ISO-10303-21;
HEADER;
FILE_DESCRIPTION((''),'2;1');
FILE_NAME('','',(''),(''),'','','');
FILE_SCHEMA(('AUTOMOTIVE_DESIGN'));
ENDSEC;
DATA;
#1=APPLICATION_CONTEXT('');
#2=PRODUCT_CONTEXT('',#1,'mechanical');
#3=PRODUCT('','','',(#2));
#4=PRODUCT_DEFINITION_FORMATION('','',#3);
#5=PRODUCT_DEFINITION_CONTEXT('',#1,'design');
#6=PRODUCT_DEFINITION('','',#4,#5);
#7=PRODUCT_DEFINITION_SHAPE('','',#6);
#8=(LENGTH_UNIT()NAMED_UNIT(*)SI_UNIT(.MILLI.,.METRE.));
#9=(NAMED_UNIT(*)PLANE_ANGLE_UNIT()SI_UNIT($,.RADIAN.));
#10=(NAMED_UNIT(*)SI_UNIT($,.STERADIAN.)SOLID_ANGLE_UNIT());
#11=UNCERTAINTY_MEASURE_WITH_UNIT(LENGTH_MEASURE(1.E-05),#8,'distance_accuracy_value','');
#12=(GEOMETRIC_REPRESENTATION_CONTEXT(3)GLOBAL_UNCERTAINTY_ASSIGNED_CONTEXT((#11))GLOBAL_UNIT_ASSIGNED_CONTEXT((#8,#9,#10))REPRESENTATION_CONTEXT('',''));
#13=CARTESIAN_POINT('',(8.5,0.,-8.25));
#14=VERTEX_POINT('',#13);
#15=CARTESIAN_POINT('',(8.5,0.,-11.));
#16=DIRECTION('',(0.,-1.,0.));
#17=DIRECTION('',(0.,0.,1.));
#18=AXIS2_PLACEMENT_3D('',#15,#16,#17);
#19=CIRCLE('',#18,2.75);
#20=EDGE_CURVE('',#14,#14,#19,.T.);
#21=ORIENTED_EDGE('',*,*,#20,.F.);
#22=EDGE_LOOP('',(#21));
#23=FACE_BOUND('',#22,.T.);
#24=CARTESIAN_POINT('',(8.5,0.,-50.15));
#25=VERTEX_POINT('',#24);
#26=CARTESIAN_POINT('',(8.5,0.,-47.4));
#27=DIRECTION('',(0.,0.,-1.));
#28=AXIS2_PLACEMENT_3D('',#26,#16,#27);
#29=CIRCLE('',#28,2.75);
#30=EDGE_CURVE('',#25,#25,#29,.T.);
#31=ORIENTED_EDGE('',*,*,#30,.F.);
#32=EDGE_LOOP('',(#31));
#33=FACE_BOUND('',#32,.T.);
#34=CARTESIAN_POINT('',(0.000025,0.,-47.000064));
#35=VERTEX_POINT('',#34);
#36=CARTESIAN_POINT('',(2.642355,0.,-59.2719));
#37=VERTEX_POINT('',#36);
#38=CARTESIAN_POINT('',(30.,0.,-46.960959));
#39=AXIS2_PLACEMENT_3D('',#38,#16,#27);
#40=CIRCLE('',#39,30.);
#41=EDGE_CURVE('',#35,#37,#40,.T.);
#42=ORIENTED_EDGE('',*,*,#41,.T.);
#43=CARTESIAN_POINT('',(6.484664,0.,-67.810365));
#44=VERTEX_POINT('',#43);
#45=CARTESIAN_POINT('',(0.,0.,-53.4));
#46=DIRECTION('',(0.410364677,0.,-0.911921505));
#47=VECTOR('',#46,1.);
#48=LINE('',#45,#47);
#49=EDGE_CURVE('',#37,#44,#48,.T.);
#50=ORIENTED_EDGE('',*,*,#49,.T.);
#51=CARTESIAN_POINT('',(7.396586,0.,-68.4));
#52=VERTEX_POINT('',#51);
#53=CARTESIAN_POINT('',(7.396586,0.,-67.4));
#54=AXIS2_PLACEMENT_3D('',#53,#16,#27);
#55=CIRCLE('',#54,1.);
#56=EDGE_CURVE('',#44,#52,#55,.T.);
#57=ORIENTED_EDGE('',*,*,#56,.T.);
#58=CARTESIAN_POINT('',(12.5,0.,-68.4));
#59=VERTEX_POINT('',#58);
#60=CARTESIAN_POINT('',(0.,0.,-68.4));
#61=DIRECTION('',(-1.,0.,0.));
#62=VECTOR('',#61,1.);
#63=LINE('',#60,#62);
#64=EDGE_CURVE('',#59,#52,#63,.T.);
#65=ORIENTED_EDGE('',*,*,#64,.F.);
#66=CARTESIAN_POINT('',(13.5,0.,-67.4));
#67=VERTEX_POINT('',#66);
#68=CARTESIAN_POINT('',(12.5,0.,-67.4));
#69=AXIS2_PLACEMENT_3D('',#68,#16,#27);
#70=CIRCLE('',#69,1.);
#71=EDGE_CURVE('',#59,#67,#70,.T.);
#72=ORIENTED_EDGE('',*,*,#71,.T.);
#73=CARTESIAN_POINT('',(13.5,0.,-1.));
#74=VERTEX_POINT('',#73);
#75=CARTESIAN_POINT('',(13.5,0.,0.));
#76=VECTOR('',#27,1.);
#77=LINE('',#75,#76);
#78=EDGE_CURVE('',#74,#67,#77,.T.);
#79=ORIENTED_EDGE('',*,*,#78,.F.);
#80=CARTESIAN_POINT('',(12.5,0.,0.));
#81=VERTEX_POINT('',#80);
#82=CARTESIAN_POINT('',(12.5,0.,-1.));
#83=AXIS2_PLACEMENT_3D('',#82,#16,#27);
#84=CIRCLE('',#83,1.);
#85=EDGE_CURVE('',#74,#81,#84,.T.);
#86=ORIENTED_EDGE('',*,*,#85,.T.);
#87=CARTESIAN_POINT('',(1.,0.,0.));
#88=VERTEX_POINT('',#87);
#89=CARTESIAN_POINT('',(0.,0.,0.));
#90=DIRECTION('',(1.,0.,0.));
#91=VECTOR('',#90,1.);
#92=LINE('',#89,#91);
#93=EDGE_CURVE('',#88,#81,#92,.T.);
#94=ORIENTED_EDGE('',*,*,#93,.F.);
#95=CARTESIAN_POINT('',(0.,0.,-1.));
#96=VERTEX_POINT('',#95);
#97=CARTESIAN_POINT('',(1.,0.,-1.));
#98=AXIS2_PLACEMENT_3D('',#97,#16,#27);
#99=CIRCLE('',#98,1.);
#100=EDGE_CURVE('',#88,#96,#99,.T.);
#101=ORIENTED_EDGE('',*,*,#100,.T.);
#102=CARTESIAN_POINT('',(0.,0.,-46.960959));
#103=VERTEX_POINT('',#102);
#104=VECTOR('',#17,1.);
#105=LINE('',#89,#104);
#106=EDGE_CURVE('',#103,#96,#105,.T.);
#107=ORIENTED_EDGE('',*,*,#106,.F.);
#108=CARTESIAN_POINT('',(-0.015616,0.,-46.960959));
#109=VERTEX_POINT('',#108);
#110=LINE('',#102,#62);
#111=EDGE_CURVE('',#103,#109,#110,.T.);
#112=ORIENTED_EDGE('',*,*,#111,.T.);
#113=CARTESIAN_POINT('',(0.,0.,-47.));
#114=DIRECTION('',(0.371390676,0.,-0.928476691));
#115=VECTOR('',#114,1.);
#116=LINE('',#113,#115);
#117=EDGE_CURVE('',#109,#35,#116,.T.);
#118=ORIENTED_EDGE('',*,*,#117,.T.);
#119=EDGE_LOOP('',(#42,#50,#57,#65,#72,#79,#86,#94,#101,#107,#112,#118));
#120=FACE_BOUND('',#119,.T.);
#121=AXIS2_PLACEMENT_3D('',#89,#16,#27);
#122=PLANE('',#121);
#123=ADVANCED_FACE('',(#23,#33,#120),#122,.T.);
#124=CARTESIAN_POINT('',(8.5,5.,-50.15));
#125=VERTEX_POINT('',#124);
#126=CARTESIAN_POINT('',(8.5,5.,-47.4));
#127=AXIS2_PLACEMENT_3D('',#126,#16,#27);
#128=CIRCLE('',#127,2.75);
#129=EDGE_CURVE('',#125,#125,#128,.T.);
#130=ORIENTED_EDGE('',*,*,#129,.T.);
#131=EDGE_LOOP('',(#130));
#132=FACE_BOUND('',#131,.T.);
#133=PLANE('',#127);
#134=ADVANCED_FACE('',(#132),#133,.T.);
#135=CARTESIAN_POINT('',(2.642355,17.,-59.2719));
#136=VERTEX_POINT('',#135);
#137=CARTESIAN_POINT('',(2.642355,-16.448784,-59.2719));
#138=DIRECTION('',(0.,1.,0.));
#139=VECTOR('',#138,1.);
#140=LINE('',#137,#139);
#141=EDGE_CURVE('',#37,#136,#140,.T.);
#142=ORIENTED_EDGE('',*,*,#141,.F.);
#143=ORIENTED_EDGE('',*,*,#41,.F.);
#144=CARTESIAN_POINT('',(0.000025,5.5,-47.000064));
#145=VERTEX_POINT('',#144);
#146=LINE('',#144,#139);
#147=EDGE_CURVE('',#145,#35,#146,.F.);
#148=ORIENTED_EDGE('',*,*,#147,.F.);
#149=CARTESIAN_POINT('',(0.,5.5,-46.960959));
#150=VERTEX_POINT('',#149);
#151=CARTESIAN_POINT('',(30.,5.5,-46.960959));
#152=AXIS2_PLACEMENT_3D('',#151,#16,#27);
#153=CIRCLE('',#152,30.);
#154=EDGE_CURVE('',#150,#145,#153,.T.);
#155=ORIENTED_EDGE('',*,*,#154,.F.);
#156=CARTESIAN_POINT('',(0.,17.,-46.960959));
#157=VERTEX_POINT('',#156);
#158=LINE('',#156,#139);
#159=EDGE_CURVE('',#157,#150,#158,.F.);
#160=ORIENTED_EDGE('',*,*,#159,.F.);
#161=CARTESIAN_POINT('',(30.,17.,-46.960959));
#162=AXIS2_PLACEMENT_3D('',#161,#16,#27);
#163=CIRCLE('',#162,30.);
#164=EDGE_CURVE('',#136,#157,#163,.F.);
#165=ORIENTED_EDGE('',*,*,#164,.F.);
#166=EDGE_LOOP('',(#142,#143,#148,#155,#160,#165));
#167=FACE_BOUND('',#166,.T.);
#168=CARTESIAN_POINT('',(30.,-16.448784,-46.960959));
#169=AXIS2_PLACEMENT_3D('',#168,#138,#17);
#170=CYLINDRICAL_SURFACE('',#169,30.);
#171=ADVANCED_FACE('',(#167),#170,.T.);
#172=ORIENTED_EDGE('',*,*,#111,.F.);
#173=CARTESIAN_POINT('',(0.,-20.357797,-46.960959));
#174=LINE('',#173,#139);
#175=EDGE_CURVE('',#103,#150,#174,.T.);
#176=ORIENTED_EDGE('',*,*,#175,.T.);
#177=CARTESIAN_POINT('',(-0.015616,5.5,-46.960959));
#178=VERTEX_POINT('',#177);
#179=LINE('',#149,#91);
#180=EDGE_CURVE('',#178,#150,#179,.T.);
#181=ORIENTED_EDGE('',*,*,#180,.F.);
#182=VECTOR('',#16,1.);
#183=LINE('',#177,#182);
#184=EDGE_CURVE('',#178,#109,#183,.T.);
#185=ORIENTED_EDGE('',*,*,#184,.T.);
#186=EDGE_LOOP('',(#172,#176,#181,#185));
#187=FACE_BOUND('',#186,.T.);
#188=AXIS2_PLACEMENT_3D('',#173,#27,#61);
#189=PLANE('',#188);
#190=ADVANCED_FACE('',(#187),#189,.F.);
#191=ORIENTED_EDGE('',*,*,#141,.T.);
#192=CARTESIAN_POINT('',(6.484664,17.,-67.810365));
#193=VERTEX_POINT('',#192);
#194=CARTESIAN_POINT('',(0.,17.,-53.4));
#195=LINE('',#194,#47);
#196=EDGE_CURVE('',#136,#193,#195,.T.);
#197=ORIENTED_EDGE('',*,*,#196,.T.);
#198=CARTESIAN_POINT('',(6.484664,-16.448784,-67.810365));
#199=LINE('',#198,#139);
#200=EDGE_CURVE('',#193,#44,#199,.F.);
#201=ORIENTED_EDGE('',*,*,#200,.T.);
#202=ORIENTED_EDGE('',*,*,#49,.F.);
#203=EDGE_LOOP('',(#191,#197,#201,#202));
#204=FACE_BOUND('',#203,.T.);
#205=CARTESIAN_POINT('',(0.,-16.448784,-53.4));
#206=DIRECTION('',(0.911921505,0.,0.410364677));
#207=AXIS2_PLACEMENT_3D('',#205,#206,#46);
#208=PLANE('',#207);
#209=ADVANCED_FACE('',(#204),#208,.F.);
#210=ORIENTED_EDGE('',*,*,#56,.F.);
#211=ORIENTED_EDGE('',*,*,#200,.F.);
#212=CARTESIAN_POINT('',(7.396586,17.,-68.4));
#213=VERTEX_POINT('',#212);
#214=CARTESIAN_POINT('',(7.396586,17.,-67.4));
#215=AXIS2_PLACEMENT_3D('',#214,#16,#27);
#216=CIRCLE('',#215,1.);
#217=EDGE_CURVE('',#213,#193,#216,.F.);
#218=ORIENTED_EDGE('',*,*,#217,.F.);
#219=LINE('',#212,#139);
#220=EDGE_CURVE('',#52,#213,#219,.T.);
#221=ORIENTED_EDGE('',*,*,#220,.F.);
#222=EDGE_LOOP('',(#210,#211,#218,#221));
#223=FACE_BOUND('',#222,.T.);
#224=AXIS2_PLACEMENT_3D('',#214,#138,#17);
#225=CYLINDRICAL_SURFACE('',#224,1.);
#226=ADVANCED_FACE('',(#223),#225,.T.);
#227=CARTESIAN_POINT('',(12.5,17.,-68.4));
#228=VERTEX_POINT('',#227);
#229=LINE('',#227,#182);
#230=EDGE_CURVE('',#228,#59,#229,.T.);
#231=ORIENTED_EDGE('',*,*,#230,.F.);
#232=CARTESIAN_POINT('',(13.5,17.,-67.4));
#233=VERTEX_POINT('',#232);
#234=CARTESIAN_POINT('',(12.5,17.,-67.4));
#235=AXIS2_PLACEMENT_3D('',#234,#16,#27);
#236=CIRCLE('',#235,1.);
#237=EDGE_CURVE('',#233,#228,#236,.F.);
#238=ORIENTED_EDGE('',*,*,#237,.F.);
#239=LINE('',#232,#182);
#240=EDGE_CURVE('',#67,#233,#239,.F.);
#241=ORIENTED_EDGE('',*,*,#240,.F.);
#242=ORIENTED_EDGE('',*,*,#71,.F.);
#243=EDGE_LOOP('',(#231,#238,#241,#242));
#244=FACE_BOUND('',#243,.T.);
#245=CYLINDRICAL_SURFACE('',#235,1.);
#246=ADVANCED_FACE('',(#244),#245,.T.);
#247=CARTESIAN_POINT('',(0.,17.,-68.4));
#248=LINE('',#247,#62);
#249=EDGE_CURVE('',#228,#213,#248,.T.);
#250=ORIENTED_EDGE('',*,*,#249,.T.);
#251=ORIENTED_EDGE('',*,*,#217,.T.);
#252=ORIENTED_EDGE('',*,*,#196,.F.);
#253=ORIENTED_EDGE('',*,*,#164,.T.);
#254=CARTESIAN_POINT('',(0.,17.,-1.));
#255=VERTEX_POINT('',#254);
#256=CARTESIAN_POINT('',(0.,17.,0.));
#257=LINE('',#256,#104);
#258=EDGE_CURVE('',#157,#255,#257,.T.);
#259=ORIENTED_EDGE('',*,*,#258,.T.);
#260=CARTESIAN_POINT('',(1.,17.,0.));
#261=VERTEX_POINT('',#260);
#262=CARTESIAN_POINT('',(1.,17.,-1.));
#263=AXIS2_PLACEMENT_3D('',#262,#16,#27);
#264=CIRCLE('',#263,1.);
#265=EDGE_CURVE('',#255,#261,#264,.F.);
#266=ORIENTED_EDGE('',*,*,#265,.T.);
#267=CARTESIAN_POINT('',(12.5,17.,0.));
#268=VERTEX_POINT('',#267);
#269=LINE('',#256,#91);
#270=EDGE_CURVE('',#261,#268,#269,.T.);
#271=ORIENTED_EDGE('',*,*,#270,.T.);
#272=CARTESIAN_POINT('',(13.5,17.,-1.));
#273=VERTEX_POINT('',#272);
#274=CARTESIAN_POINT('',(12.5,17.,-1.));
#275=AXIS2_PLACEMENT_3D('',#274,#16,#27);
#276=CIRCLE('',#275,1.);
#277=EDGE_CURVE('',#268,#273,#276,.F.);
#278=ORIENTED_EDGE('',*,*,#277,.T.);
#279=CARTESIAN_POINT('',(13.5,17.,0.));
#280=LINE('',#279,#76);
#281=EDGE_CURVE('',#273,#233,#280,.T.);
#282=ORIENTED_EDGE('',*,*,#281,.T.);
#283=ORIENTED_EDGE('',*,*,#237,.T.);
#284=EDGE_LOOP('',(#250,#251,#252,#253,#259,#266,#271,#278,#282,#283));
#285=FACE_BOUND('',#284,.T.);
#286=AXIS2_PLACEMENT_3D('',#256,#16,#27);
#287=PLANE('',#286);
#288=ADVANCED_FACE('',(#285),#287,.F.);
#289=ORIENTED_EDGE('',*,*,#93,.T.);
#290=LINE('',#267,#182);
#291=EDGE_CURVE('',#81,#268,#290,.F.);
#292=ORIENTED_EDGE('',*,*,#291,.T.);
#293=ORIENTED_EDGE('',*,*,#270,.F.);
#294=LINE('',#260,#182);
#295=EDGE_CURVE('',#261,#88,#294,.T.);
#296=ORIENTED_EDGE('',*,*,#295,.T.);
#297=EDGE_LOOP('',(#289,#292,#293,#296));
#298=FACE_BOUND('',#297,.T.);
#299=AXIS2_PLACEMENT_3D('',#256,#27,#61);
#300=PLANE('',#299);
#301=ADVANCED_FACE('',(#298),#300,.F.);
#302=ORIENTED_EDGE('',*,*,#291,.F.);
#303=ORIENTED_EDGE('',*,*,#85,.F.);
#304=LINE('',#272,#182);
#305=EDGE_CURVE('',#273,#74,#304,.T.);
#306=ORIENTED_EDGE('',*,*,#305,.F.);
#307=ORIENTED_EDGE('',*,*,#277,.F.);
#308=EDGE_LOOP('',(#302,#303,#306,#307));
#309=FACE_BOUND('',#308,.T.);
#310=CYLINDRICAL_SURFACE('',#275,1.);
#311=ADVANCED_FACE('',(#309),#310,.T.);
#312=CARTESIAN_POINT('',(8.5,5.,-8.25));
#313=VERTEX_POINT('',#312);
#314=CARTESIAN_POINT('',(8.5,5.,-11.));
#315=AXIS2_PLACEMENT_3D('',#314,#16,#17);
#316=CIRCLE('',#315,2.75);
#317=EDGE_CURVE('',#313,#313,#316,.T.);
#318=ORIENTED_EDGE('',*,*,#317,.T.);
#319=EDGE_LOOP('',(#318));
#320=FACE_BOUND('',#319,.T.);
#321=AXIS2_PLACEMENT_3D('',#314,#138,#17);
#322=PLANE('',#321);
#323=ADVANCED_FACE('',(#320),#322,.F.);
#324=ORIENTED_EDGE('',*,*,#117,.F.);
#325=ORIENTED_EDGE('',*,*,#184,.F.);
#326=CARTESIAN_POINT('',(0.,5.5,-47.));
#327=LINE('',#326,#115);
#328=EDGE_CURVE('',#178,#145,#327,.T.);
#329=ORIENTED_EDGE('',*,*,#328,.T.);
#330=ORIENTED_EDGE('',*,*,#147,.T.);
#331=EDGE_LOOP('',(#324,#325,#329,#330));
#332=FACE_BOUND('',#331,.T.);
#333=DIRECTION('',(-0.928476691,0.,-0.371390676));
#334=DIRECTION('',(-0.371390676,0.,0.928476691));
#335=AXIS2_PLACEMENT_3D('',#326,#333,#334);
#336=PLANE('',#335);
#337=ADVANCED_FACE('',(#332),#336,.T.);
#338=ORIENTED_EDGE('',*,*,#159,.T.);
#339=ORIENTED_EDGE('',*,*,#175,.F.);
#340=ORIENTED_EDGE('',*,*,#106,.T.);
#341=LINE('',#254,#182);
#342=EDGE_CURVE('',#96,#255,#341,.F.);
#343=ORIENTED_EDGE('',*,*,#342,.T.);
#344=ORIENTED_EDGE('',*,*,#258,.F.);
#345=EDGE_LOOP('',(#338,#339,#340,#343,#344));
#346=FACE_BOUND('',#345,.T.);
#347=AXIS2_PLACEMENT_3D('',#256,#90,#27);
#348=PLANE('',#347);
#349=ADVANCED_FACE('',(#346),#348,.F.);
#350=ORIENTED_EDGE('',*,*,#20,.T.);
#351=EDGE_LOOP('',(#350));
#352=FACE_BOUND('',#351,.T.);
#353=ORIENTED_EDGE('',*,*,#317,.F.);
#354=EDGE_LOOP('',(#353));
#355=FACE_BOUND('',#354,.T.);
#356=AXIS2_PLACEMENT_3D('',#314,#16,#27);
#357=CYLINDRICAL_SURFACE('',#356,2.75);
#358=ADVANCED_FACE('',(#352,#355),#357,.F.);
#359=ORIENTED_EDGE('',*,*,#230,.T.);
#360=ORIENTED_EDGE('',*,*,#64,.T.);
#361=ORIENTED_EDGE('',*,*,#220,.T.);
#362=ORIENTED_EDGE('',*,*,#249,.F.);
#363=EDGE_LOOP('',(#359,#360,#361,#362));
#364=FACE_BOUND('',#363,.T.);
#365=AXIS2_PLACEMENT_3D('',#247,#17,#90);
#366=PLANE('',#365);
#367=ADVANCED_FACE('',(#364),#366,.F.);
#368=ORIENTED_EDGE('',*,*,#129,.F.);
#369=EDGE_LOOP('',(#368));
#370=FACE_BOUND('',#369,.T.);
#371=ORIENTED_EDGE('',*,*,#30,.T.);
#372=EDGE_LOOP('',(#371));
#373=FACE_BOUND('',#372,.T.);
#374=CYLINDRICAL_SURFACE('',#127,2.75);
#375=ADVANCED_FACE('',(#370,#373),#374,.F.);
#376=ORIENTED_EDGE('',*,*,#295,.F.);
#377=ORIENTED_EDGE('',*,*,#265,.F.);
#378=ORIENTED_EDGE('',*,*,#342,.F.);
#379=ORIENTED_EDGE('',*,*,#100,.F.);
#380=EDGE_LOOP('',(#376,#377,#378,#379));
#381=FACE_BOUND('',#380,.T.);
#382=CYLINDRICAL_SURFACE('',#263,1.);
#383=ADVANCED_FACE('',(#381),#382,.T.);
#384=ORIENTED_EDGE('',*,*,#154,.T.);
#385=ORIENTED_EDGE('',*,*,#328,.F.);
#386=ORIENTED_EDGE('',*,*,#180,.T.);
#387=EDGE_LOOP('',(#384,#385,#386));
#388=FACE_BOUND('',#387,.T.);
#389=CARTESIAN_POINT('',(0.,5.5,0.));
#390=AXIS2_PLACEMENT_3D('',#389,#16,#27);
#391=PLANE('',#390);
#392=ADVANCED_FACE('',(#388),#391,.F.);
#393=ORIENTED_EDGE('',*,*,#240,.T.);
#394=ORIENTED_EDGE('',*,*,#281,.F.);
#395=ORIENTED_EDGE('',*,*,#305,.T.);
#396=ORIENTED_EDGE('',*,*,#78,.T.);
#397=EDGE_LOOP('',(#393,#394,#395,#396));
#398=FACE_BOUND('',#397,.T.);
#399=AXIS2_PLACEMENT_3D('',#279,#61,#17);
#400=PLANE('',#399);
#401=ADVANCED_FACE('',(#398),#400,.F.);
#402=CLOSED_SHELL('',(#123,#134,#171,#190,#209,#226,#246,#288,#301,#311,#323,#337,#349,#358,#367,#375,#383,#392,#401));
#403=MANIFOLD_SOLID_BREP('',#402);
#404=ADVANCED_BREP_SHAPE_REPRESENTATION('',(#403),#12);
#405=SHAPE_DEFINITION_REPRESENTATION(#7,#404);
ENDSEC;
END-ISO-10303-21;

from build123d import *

# Parameters (mm, degrees)
SKETCH_1_W          = 13.5
SKETCH_1_H          = 68.4
EXTRUDE_1_DEPTH     = 17
SKETCH_2_R          = 2.75
CUT_EXTRUDE_1_DEPTH = 5
CUT_EXTRUDE_2_DEPTH = 17
EXTRUDE_2_DEPTH     = 5.5
FILLET_1_R          = 30
FILLET_2_R          = 1
SKETCH_8_W          = 4
SKETCH_8_H          = 19.960959335
CUT_EXTRUDE_5_DEPTH = 17


with BuildPart() as part:
    # ｽｹｯﾁ1 → ﾎﾞｽ - 押し出し1 (new body)
    with BuildSketch(Plane(origin=(0, 0, 0), x_dir=(1, 0, 0), z_dir=(0, 1, 0))):
        with Locations((6.75, 34.2)):
            Rectangle(SKETCH_1_W, SKETCH_1_H)
    extrude(amount=EXTRUDE_1_DEPTH)

    # ｽｹｯﾁ2 → ｶｯﾄ - 押し出し1 (cut)
    with BuildSketch(Plane.XZ):
        with Locations(Location((8.5, -47.4, 0), (0, 0, 270))):
            Circle(SKETCH_2_R)
        with Locations(Location((8.5, -11, 0), (0, 0, 90))):
            Circle(SKETCH_2_R)
    extrude(amount=-CUT_EXTRUDE_1_DEPTH, mode=Mode.SUBTRACT)

    # ｽｹｯﾁ3 → ｶｯﾄ - 押し出し2 (cut)
    with BuildSketch(Plane(origin=(0, 17, 0), x_dir=(1, 0, 0), z_dir=(0, 1, 0))):
        Polygon((6.75, 68.4), (0, 68.4), (0, 53.4), align=None)
    extrude(amount=-CUT_EXTRUDE_2_DEPTH, mode=Mode.SUBTRACT)

    # ｽｹｯﾁ4 → ﾎﾞｽ - 押し出し2 (add)
    with BuildSketch(Plane.XZ):
        Polygon((0, -47), (-4, -37), (-4, -27), (0, -27), align=None)
    extrude(amount=-EXTRUDE_2_DEPTH)

    # ﾌｨﾚｯﾄ1
    fillet_1_edges = [part.edges().sort_by_distance(p)[0] for p in [
        (0, 8.5, -53.4),
    ]]
    fillet(fillet_1_edges, radius=FILLET_1_R)

    # ﾌｨﾚｯﾄ2
    fillet_2_edges = [part.edges().sort_by_distance(p)[0] for p in [
        (6.75, 8.5, -68.4),
        (13.5, 8.5, -68.4),
        (13.5, 8.5, 0),
        (0, 8.5, 0),
    ]]
    fillet(fillet_2_edges, radius=FILLET_2_R)

    # ｽｹｯﾁ8 → ｶｯﾄ - 押し出し5 (cut)
    with BuildSketch(Plane(origin=(0, 17, 0), x_dir=(1, 0, 0), z_dir=(0, 1, 0))):
        with Locations((-2, 36.980479668)):
            Rectangle(SKETCH_8_W, SKETCH_8_H)
    extrude(amount=-CUT_EXTRUDE_5_DEPTH, mode=Mode.SUBTRACT)


solid = part.part
